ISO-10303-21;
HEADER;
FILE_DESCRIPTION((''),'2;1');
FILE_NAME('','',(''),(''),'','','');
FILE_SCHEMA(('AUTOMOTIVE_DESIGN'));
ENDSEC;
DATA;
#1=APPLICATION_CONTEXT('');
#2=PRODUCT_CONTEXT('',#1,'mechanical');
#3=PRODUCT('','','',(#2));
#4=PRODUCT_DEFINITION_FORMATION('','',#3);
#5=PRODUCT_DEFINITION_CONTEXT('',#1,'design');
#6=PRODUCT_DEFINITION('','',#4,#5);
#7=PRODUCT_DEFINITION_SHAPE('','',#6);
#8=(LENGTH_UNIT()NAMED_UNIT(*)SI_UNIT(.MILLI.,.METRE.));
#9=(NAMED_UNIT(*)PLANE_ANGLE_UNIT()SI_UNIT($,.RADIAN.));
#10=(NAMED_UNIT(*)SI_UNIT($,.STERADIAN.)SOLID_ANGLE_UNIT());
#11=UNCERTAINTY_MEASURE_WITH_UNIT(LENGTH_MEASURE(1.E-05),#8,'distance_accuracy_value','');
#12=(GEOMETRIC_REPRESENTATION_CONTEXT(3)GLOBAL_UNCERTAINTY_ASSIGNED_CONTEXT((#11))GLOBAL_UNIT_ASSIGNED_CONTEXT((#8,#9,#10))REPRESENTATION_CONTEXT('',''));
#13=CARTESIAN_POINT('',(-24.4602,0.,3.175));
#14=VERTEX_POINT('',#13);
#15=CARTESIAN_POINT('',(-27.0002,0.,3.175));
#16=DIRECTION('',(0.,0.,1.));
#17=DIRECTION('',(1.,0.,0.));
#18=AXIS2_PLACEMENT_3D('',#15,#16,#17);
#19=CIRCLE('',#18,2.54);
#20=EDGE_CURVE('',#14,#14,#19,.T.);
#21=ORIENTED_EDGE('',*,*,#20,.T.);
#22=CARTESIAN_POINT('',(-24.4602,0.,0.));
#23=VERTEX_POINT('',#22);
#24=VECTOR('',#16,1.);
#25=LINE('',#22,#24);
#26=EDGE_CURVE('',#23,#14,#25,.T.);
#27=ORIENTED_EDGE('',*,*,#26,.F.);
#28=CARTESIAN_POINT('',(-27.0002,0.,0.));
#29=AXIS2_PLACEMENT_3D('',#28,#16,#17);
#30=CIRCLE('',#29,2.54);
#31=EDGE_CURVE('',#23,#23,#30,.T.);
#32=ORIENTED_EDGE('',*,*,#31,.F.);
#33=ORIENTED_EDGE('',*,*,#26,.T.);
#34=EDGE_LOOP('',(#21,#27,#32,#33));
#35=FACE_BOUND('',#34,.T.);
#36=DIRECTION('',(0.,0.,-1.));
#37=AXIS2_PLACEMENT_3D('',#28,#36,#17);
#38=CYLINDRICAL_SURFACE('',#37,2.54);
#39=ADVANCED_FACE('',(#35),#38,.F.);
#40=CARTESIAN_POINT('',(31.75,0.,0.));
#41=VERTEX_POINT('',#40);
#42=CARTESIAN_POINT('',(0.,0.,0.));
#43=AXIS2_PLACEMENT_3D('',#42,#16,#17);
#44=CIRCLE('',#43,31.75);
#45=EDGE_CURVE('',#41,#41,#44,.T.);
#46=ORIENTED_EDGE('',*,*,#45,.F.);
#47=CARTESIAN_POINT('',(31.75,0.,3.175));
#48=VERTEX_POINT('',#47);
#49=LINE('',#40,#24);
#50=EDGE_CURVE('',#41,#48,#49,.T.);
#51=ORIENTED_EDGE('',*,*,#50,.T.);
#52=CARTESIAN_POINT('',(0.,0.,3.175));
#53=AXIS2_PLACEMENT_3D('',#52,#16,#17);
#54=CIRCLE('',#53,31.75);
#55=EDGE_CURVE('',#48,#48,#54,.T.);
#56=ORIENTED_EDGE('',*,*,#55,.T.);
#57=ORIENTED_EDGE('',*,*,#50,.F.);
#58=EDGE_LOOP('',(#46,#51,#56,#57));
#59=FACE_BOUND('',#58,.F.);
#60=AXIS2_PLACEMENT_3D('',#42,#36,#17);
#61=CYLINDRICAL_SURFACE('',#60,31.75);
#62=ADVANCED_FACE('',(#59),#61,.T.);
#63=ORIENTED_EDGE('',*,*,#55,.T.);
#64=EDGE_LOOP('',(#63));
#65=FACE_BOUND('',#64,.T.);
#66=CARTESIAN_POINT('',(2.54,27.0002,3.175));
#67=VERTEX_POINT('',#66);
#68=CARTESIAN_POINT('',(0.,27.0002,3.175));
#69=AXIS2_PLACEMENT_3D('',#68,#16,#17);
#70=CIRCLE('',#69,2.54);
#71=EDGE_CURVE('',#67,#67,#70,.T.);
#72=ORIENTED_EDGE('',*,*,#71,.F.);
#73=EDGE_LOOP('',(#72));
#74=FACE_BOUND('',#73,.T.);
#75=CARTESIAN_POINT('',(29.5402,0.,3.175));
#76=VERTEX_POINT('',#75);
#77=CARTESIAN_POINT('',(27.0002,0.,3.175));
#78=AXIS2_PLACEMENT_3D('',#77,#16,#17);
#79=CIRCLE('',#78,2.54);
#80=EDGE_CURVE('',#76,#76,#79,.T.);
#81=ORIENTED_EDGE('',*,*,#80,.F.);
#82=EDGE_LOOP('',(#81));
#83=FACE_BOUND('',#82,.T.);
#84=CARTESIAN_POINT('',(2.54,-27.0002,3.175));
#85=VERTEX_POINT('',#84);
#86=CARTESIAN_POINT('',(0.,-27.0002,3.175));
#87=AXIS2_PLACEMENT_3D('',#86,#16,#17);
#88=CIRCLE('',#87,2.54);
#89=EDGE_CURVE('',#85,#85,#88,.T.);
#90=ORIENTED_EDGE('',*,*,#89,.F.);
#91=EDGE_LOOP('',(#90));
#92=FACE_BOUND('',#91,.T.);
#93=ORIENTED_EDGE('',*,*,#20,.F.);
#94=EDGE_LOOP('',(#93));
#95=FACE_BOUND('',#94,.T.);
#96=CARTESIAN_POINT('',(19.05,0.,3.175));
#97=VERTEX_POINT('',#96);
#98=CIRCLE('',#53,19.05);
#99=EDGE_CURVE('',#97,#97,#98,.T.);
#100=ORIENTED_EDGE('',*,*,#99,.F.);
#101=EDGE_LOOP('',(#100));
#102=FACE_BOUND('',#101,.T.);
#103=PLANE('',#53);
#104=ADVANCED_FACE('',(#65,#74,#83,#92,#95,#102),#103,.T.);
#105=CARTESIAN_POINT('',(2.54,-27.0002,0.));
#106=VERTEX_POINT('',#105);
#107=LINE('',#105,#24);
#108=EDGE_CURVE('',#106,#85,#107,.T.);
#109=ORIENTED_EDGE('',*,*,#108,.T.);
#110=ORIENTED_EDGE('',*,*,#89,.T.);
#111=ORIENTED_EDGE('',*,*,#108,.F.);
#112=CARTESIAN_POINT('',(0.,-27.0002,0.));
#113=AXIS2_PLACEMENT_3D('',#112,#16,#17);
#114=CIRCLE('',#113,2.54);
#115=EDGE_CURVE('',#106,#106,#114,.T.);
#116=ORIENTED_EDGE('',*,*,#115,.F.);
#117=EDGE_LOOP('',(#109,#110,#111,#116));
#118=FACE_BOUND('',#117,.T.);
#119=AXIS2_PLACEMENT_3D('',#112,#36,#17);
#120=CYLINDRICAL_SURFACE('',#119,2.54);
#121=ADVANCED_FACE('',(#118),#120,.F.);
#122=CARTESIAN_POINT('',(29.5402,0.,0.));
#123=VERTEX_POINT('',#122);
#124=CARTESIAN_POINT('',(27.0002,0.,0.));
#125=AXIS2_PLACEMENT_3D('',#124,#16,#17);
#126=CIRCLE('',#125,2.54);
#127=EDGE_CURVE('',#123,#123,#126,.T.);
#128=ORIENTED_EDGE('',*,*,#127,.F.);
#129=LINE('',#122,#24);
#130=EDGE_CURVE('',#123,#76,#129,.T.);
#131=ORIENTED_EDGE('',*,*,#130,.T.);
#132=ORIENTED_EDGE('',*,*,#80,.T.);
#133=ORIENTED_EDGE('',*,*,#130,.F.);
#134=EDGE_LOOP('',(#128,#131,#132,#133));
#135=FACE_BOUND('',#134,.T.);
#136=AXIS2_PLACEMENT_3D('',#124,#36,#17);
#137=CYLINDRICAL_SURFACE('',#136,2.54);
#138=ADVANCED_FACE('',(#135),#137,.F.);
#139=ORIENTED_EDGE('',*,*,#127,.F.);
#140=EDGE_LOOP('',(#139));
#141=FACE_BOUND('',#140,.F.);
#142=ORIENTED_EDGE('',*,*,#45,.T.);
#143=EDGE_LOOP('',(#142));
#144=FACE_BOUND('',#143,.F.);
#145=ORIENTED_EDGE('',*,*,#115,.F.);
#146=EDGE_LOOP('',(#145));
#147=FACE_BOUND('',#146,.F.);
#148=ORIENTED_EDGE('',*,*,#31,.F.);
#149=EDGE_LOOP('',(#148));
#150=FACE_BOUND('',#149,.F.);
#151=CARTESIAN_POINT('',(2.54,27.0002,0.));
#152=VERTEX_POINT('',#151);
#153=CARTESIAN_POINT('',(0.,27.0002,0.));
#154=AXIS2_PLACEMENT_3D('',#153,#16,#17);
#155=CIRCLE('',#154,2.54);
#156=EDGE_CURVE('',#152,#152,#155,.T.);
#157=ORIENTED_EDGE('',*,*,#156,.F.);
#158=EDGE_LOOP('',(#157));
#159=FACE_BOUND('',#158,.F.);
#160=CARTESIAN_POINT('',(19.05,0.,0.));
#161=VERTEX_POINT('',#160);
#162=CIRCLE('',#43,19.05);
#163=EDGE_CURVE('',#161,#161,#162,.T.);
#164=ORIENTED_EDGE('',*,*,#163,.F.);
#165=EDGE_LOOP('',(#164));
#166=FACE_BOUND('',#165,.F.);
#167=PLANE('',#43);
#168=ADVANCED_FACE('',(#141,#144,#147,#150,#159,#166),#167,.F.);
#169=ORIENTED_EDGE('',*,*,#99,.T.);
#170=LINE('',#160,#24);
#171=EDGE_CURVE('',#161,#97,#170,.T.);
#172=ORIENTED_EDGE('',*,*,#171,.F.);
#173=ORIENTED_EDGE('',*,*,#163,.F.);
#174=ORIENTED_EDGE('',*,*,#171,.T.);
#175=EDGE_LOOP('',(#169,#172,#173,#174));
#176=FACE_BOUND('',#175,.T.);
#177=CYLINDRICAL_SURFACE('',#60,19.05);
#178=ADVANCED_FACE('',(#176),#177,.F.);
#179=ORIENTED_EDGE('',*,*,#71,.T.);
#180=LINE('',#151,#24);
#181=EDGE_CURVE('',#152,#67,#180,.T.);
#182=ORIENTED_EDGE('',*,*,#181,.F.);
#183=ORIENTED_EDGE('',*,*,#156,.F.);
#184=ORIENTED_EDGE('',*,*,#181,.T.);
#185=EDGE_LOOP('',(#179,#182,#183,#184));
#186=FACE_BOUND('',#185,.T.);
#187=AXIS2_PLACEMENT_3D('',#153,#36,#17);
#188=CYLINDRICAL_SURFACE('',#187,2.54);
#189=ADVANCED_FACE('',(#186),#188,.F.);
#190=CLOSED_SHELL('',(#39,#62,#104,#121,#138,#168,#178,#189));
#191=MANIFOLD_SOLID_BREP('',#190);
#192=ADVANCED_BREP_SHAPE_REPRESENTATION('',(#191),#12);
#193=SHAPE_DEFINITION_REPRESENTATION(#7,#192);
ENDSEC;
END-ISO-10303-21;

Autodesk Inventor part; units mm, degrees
ref_plane "YZ Plane" through (0, 0, 0) normal (1, 0, 0) x (0, 1, 0)
ref_plane "XZ Plane" through (0, 0, 0) normal (0, 1, 0) x (-1, 0, 0)
ref_plane "XY Plane" through (0, 0, 0) normal (0, 0, 1) x (1, 0, 0)
sketch "Sketch1" plane through (0, 0, 0) normal (0, 0, 1) x (1, 0, 0)
  circle A0 centre (0, 0) radius 19.05
  circle A1 centre (0, 0) radius 31.75
  circle A2 centre (-27.0002, 0) radius 2.54
  line L0 (-27.0002, 0) -> (0, 0) construction
  circle A3 centre (0, -27.0002) radius 2.54
  circle A4 centre (27.0002, 0) radius 2.54
  circle A5 centre (0, 27.0002) radius 2.54
  dimension "d0" = 63.5
  dimension "d2" = 38.1
  dimension "d3" = 27.0002
  dimension "d4" = 5.08
  dimension "d7" = 360
extrude "Extrusion1" add sketch "Sketch1" along normal blind 3.175
properties part number "P80 Spacer" material "Aluminum 6061"
